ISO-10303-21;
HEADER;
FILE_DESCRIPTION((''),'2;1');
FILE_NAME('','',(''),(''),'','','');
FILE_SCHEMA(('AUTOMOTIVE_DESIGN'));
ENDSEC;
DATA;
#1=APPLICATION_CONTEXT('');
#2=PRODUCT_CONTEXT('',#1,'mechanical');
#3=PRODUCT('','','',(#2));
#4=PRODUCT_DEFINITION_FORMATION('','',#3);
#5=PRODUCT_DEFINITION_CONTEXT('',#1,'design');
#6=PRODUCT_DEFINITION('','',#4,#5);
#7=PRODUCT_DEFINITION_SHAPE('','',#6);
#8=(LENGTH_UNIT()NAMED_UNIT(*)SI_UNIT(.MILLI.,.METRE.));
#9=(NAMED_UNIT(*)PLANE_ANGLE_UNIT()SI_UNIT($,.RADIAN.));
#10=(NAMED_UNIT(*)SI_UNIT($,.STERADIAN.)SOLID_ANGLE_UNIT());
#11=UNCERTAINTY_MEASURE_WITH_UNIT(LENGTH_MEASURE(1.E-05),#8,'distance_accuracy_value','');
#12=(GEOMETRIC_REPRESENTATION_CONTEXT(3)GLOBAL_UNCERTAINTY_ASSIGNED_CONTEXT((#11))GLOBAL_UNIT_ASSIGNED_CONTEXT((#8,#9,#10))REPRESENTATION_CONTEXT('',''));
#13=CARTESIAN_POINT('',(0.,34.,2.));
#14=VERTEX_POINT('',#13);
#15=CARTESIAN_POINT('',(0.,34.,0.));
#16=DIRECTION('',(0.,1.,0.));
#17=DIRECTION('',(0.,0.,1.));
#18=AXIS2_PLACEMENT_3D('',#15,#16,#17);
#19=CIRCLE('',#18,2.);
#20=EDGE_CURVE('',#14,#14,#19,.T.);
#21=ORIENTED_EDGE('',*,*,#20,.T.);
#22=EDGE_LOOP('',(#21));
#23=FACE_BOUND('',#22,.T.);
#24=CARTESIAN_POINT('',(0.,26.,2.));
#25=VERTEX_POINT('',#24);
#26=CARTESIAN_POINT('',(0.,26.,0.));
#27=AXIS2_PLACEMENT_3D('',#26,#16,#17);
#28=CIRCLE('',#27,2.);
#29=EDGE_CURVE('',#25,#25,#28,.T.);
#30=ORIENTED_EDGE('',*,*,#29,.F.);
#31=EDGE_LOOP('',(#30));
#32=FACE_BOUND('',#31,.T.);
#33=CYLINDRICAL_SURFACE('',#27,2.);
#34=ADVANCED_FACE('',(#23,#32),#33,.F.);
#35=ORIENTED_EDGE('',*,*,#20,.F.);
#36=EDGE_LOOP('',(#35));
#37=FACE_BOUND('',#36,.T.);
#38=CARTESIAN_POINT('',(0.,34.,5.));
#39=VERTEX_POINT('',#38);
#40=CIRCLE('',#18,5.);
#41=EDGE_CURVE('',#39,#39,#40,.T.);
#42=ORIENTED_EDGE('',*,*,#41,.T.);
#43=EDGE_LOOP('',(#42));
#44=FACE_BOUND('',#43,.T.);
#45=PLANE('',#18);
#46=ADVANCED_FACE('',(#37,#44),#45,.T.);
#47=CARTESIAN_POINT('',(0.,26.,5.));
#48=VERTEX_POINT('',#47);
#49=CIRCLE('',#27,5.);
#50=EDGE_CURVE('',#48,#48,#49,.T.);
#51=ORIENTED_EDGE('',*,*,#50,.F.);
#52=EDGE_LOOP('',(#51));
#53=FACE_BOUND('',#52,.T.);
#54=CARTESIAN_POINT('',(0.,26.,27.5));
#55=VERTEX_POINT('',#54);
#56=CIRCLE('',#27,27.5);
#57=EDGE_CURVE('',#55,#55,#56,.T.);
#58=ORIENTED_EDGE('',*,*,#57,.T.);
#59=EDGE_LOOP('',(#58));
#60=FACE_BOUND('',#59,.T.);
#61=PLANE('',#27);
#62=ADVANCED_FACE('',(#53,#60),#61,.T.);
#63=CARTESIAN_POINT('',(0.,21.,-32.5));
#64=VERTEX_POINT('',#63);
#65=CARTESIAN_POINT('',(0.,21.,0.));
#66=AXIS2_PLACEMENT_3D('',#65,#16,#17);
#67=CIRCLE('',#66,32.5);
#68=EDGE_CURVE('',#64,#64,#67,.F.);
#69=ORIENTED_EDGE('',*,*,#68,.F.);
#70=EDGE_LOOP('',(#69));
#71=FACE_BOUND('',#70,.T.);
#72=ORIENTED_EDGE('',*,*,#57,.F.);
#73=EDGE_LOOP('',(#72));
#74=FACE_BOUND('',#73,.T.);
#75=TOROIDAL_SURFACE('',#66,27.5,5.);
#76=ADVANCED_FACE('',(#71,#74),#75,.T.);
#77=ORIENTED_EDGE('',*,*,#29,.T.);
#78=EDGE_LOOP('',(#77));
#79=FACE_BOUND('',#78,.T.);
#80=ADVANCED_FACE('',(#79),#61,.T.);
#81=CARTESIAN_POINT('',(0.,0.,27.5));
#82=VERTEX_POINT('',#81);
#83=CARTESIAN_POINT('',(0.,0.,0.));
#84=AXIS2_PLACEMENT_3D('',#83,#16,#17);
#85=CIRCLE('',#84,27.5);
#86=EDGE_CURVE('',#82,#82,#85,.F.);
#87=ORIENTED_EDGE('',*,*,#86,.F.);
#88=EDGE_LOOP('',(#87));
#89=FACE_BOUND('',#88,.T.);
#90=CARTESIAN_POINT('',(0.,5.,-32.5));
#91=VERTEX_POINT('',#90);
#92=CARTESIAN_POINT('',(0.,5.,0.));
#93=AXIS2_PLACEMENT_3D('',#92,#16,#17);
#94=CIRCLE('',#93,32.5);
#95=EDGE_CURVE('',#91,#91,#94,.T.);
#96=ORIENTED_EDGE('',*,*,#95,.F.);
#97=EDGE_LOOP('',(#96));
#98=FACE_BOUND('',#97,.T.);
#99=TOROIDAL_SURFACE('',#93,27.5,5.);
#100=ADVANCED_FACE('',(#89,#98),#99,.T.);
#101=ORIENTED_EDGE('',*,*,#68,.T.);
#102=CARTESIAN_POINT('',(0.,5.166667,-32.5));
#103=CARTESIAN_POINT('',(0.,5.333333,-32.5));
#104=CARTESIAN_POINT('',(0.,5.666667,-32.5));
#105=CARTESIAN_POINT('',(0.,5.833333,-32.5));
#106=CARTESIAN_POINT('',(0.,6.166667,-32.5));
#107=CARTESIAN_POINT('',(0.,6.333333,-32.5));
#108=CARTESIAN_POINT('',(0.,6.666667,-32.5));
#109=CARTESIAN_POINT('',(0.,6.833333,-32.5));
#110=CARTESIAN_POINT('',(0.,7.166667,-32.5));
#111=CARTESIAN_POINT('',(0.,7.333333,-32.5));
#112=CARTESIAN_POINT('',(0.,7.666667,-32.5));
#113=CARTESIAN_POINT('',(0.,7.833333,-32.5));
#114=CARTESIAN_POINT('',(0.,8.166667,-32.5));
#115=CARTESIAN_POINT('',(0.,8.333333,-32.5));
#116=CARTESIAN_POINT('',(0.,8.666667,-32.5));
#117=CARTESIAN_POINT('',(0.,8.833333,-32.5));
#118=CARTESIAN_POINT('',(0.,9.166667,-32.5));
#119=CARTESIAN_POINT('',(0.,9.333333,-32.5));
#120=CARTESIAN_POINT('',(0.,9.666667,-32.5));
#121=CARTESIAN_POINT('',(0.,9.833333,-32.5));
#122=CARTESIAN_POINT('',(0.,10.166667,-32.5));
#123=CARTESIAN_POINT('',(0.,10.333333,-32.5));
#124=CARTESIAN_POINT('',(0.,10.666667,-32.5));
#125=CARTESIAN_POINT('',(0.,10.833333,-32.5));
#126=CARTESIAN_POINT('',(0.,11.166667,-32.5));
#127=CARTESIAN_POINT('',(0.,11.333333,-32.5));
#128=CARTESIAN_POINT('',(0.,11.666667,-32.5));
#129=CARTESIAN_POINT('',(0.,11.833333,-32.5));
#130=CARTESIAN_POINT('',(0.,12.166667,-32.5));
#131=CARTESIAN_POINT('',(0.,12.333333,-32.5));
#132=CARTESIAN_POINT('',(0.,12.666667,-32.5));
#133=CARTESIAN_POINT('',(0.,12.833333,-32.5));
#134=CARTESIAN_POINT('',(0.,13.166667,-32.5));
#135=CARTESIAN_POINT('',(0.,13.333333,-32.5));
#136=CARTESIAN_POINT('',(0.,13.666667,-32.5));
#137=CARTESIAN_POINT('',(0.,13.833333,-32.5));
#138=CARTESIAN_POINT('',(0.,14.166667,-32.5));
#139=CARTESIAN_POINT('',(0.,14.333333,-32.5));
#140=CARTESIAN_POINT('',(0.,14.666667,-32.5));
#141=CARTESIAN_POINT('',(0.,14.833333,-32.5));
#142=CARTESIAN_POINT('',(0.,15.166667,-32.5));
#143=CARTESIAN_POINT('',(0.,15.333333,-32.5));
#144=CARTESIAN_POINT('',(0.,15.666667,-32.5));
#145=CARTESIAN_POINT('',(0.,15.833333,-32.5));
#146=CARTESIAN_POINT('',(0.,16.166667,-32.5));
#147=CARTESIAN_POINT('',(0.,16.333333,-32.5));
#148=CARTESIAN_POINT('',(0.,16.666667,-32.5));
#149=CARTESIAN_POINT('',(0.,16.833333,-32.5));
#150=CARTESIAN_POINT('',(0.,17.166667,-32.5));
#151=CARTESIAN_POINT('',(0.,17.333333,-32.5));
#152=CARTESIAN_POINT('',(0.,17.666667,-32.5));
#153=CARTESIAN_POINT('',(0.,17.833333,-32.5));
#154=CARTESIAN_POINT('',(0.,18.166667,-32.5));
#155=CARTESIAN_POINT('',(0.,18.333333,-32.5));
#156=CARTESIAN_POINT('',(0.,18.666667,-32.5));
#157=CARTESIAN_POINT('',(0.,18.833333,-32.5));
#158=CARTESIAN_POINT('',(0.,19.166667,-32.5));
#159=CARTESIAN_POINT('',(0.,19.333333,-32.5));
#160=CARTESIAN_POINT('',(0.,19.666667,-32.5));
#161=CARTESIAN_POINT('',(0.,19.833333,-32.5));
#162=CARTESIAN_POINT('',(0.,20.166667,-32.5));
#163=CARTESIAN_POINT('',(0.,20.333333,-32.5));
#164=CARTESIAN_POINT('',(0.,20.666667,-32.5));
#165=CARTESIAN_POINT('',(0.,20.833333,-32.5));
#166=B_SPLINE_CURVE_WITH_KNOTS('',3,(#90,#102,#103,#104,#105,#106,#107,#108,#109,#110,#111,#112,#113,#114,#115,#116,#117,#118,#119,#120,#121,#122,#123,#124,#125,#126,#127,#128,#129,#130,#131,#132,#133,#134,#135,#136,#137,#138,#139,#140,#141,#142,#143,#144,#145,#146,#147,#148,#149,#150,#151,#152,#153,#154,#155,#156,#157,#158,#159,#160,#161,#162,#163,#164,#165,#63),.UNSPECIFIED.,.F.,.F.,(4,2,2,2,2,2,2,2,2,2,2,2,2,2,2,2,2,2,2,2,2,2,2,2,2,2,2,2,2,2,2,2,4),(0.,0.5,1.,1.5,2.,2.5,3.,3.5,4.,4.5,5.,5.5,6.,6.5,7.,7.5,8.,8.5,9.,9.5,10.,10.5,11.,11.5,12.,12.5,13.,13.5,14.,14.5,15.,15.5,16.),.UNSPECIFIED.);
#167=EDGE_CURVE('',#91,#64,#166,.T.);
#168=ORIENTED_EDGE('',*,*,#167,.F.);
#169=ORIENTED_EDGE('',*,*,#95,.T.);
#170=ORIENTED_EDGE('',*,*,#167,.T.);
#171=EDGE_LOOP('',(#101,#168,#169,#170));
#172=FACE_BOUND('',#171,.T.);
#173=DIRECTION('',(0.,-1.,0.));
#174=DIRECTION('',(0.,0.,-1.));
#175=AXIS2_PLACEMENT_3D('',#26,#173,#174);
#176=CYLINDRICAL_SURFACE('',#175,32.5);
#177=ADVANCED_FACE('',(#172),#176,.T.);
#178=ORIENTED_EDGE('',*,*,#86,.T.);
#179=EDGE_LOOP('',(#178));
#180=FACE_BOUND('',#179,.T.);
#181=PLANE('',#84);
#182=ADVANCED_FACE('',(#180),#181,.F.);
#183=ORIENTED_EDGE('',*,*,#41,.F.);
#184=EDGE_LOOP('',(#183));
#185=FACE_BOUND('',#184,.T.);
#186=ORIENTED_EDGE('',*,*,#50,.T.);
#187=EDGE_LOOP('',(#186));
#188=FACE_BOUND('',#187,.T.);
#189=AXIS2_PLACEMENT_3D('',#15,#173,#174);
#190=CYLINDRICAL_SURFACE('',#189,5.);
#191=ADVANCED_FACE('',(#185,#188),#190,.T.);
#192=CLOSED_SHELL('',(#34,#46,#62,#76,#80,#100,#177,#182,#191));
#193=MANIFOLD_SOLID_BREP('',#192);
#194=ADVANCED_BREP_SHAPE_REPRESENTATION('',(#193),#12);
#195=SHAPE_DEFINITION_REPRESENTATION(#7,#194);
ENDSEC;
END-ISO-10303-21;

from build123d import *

# Parameters (mm, degrees)
SKETCH1_R           = 32.5
BOSS_EXTRUDE1_DEPTH = 26
SKETCH2_R           = 5
BOSS_EXTRUDE2_DEPTH = 8
SKETCH3_R           = 2
CUT_EXTRUDE1_DEPTH  = 8
FILLET1_R           = 5


with BuildPart() as part:
    # Sketch1 → Boss-Extrude1 (new body)
    with BuildSketch(Plane(origin=(0, 0, 0), x_dir=(1, 0, 0), z_dir=(0, 1, 0))):
        with Locations(Location((0, 0, 0), (0, 0, 90))):
            Circle(SKETCH1_R)
    extrude(amount=BOSS_EXTRUDE1_DEPTH)

    # Sketch2 → Boss-Extrude2 (add)
    with BuildSketch(Plane(origin=(0, 26, 0), x_dir=(1, 0, 0), z_dir=(0, 1, 0))):
        with Locations(Location((0, 0, 0), (0, 0, 270))):
            Circle(SKETCH2_R)
    extrude(amount=BOSS_EXTRUDE2_DEPTH)

    # Sketch3 → Cut-Extrude1 (cut)
    with BuildSketch(Plane(origin=(0, 34, 0), x_dir=(1, 0, 0), z_dir=(0, 1, 0))):
        with Locations(Location((0, 0, 0), (0, 0, 270))):
            Circle(SKETCH3_R)
    extrude(amount=-CUT_EXTRUDE1_DEPTH, mode=Mode.SUBTRACT)

    # Fillet1
    fillet1_edges = [part.edges().sort_by_distance(p)[0] for p in [
        (0, 0, 32.5),
        (0, 26, 32.5),
    ]]
    fillet(fillet1_edges, radius=FILLET1_R)


solid = part.part
